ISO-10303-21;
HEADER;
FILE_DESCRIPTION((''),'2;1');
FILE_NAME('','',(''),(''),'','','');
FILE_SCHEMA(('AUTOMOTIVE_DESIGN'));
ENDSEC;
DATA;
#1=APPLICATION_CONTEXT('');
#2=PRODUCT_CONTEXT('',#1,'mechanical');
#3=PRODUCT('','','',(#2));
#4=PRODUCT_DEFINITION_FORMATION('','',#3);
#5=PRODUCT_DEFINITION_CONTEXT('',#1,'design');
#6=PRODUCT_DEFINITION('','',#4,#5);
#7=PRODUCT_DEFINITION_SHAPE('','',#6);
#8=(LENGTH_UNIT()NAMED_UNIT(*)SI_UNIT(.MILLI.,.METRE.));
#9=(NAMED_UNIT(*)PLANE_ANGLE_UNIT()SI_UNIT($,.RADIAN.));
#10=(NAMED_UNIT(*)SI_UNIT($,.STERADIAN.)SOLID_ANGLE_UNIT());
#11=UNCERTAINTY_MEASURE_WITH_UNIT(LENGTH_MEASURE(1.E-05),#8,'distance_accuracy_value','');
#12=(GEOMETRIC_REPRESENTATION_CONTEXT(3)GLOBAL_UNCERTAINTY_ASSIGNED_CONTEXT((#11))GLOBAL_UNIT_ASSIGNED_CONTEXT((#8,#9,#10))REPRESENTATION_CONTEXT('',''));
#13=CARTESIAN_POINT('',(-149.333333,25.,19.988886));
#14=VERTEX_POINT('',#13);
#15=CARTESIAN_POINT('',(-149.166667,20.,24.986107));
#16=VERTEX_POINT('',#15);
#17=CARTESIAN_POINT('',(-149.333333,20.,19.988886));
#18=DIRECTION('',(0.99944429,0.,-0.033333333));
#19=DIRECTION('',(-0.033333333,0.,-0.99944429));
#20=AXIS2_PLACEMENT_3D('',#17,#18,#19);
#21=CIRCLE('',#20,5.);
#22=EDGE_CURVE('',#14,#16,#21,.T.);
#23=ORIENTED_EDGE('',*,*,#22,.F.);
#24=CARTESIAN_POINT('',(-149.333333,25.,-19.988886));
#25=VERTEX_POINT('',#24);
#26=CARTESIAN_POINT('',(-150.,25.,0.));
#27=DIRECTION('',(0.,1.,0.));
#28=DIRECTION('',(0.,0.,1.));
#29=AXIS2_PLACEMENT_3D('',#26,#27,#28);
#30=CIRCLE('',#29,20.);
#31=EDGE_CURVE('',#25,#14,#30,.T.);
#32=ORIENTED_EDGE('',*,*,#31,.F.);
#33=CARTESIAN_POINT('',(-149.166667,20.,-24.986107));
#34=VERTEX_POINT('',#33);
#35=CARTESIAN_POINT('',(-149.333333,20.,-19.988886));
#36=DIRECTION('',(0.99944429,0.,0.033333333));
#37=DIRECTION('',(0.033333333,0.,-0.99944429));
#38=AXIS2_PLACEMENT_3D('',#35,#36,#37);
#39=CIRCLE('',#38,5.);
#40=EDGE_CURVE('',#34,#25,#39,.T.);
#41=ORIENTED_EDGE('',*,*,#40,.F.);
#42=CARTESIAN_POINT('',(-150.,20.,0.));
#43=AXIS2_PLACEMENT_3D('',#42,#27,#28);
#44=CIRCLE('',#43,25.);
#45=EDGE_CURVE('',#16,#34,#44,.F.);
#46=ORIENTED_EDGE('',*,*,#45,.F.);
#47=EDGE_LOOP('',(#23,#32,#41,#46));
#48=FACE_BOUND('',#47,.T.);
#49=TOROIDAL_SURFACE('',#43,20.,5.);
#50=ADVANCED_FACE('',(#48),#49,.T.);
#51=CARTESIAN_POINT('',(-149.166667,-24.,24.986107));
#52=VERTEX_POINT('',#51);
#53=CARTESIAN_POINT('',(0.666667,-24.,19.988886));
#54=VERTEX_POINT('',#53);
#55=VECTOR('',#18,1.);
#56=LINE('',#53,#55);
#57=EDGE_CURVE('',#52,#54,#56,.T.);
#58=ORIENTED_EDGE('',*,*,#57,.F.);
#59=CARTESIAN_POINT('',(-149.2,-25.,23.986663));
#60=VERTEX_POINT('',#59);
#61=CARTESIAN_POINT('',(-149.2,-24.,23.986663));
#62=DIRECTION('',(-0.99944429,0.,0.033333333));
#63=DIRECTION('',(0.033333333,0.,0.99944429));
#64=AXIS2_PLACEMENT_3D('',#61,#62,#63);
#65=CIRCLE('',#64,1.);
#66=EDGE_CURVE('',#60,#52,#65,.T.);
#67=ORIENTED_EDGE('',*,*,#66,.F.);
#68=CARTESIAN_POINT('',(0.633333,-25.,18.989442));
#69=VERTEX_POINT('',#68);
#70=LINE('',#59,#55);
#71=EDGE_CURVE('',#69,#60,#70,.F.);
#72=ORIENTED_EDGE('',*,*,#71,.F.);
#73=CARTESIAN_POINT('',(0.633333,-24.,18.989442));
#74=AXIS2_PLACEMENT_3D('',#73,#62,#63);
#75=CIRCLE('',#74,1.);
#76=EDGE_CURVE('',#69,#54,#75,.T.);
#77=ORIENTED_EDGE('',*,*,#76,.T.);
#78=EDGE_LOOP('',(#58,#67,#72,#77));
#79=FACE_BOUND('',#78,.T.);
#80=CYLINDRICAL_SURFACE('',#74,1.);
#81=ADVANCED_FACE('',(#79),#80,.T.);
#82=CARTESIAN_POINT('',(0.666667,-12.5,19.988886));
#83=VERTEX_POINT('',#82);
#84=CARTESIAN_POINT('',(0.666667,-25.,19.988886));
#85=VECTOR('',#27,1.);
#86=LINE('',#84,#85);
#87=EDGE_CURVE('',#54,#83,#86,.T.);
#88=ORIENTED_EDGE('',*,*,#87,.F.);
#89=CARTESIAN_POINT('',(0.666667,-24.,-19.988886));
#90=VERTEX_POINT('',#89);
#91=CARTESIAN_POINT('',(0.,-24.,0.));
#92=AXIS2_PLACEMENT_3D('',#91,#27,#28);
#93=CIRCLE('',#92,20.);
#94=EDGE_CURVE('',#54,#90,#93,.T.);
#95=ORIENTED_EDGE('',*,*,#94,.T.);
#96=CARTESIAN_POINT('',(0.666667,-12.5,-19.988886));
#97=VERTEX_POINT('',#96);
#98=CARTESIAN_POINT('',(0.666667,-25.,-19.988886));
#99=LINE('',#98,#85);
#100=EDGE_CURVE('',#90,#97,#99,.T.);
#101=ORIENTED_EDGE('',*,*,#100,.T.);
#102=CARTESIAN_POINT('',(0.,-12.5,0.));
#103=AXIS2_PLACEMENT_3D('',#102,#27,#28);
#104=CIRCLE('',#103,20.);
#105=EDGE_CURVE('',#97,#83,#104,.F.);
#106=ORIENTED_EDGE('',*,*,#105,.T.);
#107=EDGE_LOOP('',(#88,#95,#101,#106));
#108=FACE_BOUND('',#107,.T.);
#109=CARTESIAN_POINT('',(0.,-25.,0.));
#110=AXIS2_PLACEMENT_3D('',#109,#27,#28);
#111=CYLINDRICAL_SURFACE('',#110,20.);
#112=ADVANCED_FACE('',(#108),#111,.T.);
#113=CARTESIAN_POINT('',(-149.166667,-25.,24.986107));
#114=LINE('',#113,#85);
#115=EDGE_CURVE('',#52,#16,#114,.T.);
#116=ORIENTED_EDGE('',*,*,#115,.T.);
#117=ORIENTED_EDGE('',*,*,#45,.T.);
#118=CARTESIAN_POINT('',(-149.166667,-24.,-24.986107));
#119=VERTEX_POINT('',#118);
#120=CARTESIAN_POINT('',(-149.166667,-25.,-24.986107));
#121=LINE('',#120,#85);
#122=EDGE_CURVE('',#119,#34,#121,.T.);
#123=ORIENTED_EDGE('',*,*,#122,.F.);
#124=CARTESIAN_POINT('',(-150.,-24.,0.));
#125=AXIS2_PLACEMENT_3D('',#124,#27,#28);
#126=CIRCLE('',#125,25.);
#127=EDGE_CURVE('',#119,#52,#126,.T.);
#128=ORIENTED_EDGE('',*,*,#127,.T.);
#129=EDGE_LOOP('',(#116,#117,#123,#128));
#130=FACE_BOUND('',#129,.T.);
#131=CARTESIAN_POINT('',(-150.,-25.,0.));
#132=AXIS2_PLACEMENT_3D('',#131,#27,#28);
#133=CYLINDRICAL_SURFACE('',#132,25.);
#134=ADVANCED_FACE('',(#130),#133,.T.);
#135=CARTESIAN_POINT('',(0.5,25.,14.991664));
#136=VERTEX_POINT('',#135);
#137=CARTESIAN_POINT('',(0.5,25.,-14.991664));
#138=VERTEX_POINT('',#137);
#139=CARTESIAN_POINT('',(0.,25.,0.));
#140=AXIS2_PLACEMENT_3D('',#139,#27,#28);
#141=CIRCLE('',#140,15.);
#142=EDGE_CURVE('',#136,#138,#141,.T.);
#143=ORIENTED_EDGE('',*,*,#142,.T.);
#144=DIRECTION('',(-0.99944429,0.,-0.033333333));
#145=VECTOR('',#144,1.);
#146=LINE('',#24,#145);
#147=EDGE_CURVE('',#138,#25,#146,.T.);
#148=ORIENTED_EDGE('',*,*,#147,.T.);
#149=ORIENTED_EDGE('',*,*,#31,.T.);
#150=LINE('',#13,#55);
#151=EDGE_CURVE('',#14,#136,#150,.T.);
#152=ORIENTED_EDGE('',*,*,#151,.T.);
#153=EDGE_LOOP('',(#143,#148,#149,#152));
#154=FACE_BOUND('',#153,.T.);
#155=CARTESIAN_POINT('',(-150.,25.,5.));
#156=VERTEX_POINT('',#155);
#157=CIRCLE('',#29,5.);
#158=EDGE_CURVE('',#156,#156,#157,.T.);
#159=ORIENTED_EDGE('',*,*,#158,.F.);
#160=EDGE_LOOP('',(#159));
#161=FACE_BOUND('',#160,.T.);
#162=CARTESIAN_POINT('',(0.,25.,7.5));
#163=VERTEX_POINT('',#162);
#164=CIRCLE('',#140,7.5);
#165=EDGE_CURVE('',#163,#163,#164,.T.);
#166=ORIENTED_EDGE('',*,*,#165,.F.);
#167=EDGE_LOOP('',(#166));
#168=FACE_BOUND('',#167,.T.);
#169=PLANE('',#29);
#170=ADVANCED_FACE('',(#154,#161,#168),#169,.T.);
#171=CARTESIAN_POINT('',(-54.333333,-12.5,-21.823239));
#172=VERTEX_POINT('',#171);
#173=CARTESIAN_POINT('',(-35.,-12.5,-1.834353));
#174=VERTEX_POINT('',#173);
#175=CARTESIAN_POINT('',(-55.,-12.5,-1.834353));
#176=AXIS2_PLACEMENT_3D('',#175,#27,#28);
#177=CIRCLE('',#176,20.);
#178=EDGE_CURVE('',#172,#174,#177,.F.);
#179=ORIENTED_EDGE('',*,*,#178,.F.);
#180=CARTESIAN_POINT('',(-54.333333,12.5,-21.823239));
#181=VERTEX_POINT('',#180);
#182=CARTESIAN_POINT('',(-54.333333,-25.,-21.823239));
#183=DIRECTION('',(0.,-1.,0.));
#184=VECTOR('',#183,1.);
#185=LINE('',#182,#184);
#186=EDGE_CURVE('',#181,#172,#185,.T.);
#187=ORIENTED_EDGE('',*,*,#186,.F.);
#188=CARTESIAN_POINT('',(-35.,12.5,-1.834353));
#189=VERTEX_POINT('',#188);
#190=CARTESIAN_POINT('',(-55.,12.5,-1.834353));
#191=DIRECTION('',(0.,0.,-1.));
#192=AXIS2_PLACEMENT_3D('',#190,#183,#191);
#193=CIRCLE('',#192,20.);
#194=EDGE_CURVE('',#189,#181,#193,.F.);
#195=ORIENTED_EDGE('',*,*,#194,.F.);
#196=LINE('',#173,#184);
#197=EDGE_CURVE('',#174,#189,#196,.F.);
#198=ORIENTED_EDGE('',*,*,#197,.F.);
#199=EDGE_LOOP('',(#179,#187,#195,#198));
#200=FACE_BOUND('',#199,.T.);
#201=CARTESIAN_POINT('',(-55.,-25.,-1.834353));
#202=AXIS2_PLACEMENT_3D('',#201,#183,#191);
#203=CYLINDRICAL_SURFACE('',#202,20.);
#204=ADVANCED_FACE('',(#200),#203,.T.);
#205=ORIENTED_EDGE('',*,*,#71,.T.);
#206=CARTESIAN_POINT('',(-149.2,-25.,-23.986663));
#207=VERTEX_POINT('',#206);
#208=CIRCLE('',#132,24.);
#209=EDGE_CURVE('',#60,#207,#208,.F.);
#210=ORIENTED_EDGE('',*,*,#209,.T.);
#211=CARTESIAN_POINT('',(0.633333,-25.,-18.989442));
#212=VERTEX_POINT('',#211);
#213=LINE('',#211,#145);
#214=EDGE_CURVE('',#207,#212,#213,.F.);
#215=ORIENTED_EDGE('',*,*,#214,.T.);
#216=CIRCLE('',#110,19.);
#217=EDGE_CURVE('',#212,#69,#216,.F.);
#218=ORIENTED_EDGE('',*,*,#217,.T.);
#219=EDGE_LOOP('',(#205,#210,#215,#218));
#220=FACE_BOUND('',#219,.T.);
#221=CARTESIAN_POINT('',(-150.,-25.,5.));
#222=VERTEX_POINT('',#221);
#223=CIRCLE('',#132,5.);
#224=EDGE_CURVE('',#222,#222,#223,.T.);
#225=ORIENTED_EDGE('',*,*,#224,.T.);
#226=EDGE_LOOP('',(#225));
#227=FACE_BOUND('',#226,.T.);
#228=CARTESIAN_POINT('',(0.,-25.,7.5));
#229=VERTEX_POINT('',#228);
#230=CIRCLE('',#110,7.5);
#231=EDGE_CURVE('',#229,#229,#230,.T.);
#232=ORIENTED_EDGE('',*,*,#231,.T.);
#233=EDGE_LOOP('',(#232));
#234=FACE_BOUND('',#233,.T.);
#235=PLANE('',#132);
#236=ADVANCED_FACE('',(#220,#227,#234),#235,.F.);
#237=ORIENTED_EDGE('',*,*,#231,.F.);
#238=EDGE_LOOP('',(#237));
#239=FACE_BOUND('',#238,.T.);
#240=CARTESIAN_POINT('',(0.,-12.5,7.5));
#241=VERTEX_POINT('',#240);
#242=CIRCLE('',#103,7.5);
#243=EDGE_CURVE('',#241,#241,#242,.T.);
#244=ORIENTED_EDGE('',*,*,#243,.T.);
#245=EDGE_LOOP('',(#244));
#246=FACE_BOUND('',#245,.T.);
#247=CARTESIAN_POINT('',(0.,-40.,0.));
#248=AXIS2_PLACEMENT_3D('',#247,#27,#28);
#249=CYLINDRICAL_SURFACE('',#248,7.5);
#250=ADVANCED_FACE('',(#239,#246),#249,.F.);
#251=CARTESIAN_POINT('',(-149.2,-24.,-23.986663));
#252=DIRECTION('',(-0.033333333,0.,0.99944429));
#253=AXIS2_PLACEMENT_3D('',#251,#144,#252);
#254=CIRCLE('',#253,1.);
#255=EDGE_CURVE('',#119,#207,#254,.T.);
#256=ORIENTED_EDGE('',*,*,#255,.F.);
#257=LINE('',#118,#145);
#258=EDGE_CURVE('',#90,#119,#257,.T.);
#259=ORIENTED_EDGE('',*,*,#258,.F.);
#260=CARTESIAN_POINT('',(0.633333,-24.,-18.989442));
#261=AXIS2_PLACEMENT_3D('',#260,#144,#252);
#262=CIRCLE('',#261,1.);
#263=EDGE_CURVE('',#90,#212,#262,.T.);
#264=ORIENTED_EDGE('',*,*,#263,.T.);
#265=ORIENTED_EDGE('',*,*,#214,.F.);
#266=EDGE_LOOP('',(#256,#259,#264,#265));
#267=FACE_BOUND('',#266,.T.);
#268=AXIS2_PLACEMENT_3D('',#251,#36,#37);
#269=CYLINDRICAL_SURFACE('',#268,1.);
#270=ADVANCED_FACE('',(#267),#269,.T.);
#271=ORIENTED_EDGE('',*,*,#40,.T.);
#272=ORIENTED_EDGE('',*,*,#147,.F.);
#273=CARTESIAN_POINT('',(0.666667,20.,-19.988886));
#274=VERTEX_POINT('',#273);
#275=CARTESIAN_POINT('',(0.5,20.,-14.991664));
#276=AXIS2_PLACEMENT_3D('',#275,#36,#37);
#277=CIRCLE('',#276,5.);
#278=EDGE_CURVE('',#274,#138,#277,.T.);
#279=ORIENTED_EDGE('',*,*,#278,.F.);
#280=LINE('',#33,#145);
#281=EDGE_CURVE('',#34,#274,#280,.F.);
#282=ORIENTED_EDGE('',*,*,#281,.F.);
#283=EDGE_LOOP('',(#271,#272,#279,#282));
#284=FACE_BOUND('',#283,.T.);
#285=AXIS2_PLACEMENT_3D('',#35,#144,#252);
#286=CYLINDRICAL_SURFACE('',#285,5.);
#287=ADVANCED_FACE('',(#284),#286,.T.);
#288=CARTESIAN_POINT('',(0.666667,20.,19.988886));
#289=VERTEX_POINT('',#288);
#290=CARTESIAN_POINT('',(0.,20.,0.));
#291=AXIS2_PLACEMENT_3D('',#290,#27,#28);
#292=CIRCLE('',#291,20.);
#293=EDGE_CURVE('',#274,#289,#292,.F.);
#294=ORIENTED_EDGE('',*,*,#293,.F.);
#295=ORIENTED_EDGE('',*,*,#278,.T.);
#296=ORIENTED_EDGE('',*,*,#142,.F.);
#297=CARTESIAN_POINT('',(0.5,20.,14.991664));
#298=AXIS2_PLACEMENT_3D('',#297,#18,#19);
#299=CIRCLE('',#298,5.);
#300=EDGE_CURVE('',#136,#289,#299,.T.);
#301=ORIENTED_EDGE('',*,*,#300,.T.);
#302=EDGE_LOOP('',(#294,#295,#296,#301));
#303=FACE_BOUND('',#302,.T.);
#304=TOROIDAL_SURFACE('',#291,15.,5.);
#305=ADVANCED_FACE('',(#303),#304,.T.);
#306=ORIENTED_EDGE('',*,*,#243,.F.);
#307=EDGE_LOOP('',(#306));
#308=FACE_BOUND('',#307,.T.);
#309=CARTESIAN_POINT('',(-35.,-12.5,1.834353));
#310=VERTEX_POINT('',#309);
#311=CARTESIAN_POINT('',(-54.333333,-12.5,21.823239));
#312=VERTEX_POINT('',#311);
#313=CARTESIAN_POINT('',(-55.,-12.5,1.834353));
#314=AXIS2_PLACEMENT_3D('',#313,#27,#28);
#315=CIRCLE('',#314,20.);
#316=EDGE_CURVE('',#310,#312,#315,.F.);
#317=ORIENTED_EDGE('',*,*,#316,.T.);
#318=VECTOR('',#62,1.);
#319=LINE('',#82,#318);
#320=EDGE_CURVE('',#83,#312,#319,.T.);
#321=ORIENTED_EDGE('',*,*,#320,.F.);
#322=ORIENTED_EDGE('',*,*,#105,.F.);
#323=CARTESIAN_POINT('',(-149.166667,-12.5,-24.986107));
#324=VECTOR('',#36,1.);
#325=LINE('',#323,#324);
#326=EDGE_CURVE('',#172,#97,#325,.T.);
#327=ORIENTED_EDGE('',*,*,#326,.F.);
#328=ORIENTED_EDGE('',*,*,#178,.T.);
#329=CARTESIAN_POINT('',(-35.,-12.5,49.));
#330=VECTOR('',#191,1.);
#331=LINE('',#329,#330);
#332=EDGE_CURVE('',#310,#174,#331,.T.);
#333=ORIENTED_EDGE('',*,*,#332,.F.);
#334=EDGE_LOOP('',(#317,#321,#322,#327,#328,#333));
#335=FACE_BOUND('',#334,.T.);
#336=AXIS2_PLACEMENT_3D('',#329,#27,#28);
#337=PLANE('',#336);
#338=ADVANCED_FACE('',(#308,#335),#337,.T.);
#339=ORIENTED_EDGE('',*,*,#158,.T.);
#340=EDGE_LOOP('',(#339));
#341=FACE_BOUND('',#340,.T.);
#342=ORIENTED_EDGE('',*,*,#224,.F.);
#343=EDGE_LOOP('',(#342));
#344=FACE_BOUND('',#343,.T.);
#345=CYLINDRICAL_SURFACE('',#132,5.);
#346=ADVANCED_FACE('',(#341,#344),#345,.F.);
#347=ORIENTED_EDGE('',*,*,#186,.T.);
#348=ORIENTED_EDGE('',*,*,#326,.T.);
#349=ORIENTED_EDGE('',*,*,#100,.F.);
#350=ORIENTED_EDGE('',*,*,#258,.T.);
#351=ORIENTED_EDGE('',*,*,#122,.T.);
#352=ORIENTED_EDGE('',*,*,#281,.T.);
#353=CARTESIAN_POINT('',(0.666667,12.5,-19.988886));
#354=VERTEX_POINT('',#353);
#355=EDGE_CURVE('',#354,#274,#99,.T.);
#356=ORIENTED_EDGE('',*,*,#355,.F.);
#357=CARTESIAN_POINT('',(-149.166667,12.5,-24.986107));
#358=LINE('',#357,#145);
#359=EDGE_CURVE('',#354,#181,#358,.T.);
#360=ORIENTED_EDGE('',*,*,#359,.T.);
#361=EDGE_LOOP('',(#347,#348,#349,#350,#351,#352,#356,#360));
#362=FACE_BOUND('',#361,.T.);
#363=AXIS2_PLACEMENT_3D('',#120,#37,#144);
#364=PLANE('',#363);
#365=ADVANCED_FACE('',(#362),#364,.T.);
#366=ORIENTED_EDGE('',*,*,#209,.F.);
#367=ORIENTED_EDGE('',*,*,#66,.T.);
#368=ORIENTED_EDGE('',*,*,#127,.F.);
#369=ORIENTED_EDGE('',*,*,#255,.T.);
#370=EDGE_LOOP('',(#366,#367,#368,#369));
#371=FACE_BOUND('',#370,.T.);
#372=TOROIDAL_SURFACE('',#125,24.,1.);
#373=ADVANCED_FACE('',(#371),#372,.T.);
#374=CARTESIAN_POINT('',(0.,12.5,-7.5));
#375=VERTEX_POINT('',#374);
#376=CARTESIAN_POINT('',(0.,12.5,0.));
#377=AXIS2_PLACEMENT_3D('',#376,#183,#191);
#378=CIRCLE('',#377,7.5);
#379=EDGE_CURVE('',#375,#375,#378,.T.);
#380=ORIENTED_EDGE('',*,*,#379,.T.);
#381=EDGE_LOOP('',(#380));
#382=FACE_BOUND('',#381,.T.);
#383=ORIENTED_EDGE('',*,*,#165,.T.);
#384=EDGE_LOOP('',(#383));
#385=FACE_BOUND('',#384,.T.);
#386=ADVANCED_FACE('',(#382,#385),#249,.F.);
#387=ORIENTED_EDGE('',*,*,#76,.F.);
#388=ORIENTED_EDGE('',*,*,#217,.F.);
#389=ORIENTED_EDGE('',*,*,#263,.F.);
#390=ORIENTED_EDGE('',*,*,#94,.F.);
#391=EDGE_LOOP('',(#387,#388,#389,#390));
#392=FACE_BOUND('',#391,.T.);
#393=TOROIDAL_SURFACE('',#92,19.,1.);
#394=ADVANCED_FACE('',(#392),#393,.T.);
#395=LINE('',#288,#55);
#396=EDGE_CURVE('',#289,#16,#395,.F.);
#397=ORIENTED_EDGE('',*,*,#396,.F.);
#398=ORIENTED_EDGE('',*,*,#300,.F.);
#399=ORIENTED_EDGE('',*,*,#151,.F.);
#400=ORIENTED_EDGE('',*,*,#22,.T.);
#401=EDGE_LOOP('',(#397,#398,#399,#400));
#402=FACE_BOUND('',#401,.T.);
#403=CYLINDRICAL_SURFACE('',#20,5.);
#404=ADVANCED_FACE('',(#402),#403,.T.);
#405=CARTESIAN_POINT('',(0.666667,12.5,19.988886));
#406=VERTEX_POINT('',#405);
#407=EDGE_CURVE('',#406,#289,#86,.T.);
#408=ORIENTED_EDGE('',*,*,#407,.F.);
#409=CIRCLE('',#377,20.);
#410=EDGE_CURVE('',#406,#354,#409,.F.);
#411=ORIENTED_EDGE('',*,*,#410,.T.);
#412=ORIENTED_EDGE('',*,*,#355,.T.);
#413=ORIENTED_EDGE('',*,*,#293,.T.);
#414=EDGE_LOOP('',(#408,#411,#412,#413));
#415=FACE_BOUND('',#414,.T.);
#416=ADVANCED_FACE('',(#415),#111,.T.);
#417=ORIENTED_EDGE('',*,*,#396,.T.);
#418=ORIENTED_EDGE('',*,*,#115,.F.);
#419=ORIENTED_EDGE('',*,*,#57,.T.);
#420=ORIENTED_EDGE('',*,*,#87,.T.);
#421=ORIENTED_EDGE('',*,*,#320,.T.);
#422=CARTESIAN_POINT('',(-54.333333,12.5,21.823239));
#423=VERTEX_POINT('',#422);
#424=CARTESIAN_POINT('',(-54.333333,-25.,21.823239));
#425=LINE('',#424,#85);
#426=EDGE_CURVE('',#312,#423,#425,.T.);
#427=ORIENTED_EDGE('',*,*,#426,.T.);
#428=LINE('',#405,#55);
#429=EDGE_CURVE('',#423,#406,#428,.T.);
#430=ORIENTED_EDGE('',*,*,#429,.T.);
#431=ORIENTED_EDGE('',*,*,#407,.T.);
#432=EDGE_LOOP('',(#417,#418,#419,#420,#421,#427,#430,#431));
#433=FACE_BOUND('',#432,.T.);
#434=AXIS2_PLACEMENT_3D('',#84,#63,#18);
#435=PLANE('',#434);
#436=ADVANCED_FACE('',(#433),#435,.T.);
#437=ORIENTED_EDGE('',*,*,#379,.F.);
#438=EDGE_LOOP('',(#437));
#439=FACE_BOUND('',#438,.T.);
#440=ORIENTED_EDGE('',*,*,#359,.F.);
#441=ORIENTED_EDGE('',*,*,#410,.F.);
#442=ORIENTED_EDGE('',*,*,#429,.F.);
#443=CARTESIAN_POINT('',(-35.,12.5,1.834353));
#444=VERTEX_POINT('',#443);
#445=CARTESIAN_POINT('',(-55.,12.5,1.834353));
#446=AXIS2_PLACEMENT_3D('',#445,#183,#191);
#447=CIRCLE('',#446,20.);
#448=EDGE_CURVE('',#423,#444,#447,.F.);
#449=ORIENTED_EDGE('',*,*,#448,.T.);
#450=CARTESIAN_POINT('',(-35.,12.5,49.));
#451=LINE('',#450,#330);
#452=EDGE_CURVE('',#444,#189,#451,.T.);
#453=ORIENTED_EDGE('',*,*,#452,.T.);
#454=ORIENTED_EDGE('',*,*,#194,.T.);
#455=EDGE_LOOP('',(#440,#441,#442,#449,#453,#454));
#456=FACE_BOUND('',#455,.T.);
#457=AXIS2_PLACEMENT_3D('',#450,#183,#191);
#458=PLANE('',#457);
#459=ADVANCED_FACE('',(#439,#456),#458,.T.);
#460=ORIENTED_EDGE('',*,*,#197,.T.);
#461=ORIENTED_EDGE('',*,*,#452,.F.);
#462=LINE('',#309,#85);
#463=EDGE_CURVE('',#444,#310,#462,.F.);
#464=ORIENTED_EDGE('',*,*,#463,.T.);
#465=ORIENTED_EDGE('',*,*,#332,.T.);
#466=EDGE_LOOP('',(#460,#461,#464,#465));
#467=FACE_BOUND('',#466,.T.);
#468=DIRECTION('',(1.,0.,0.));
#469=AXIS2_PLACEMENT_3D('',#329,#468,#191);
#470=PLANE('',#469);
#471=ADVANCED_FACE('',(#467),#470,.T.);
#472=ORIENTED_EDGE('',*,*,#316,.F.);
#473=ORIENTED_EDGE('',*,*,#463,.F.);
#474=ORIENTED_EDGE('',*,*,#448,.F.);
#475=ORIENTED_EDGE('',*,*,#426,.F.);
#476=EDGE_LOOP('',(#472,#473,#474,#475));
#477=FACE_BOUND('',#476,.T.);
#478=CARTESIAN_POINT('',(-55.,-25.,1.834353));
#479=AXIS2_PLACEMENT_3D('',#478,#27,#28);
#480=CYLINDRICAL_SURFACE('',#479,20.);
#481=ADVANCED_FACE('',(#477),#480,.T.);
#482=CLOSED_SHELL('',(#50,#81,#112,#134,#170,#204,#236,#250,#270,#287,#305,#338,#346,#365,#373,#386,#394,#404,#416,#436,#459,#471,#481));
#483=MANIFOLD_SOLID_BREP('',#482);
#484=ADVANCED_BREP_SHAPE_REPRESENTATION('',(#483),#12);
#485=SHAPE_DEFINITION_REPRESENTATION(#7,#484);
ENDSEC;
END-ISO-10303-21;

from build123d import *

# Parameters (mm, degrees)
SALIENTE_EXTRUIR1_DEPTH      = 25
SALIENTE_EXTRUIR1_DEPTH_BACK = 25
CROQUIS1_R                   = 5
REDONDEO9_R                  = 1
CORTAR_EXTRUIR1_DEPTH        = 49
CORTAR_EXTRUIR1_DEPTH_BACK   = 47
CROQUIS3_W                   = 70
CROQUIS3_H                   = 25
REDONDEO10_R                 = 20
CROQUIS4_R                   = 7.5
CORTAR_EXTRUIR2_DEPTH        = 65
REDONDEO11_R                 = 5


with BuildPart() as part:
    # Croquis1 → Saliente-Extruir1 (new, two sides: drawn at the far end of the back side and taken through both)
    with BuildSketch(Plane(origin=(0, 0, 0), x_dir=(1, 0, 0), z_dir=(0, 1, 0)).offset(-SALIENTE_EXTRUIR1_DEPTH_BACK)):
        with BuildLine():
            Line((-149.166666667, 24.986107251), (0.666666667, 19.988885801))
            ThreePointArc((0.666666667, 19.988885801), (20, 0), (0.666666667, -19.988885801))
            Line((0.666666667, -19.988885801), (-149.166666667, -24.986107251))
            ThreePointArc((-149.166666667, -24.986107251), (-175, 0), (-149.166666667, 24.986107251))
        make_face()
        with Locations((-150, 0)):
            Circle(CROQUIS1_R, mode=Mode.SUBTRACT)
    extrude(amount=SALIENTE_EXTRUIR1_DEPTH + SALIENTE_EXTRUIR1_DEPTH_BACK)

    # Redondeo9
    redondeo9_edges = [part.edges().sort_by_distance(p)[0] for p in [
        (-175, -25, 0),
        (-74.25, -25, -22.487496526),
        (20, -25, 0),
        (-74.25, -25, 22.487496526),
    ]]
    fillet(redondeo9_edges, radius=REDONDEO9_R)

    # Croquis3 → Cortar-Extruir1 (cut, two sides: drawn at the far end of the back side and taken through both)
    with BuildSketch(Plane.XY.offset(-CORTAR_EXTRUIR1_DEPTH_BACK)):
        Rectangle(CROQUIS3_W, CROQUIS3_H)
    extrude(amount=CORTAR_EXTRUIR1_DEPTH + CORTAR_EXTRUIR1_DEPTH_BACK, mode=Mode.SUBTRACT)

    # Redondeo10
    redondeo10_edges = [part.edges().sort_by_distance(p)[0] for p in [
        (-35, 0, -21.178435734),
        (-35, 0, 21.178435734),
    ]]
    fillet(redondeo10_edges, radius=REDONDEO10_R)

    # Croquis4 → Cortar-Extruir2 (cut)
    with BuildSketch(Plane(origin=(0, 25, 0), x_dir=(1, 0, 0), z_dir=(0, 1, 0))):
        Circle(CROQUIS4_R)
    extrude(amount=-CORTAR_EXTRUIR2_DEPTH, mode=Mode.SUBTRACT)

    # Redondeo11
    redondeo11_edges = [part.edges().sort_by_distance(p)[0] for p in [
        (20, 25, 0),
        (-74.25, 25, 22.487496526),
        (-175, 25, 0),
        (-74.25, 25, -22.487496526),
    ]]
    fillet(redondeo11_edges, radius=REDONDEO11_R)


solid = part.part
